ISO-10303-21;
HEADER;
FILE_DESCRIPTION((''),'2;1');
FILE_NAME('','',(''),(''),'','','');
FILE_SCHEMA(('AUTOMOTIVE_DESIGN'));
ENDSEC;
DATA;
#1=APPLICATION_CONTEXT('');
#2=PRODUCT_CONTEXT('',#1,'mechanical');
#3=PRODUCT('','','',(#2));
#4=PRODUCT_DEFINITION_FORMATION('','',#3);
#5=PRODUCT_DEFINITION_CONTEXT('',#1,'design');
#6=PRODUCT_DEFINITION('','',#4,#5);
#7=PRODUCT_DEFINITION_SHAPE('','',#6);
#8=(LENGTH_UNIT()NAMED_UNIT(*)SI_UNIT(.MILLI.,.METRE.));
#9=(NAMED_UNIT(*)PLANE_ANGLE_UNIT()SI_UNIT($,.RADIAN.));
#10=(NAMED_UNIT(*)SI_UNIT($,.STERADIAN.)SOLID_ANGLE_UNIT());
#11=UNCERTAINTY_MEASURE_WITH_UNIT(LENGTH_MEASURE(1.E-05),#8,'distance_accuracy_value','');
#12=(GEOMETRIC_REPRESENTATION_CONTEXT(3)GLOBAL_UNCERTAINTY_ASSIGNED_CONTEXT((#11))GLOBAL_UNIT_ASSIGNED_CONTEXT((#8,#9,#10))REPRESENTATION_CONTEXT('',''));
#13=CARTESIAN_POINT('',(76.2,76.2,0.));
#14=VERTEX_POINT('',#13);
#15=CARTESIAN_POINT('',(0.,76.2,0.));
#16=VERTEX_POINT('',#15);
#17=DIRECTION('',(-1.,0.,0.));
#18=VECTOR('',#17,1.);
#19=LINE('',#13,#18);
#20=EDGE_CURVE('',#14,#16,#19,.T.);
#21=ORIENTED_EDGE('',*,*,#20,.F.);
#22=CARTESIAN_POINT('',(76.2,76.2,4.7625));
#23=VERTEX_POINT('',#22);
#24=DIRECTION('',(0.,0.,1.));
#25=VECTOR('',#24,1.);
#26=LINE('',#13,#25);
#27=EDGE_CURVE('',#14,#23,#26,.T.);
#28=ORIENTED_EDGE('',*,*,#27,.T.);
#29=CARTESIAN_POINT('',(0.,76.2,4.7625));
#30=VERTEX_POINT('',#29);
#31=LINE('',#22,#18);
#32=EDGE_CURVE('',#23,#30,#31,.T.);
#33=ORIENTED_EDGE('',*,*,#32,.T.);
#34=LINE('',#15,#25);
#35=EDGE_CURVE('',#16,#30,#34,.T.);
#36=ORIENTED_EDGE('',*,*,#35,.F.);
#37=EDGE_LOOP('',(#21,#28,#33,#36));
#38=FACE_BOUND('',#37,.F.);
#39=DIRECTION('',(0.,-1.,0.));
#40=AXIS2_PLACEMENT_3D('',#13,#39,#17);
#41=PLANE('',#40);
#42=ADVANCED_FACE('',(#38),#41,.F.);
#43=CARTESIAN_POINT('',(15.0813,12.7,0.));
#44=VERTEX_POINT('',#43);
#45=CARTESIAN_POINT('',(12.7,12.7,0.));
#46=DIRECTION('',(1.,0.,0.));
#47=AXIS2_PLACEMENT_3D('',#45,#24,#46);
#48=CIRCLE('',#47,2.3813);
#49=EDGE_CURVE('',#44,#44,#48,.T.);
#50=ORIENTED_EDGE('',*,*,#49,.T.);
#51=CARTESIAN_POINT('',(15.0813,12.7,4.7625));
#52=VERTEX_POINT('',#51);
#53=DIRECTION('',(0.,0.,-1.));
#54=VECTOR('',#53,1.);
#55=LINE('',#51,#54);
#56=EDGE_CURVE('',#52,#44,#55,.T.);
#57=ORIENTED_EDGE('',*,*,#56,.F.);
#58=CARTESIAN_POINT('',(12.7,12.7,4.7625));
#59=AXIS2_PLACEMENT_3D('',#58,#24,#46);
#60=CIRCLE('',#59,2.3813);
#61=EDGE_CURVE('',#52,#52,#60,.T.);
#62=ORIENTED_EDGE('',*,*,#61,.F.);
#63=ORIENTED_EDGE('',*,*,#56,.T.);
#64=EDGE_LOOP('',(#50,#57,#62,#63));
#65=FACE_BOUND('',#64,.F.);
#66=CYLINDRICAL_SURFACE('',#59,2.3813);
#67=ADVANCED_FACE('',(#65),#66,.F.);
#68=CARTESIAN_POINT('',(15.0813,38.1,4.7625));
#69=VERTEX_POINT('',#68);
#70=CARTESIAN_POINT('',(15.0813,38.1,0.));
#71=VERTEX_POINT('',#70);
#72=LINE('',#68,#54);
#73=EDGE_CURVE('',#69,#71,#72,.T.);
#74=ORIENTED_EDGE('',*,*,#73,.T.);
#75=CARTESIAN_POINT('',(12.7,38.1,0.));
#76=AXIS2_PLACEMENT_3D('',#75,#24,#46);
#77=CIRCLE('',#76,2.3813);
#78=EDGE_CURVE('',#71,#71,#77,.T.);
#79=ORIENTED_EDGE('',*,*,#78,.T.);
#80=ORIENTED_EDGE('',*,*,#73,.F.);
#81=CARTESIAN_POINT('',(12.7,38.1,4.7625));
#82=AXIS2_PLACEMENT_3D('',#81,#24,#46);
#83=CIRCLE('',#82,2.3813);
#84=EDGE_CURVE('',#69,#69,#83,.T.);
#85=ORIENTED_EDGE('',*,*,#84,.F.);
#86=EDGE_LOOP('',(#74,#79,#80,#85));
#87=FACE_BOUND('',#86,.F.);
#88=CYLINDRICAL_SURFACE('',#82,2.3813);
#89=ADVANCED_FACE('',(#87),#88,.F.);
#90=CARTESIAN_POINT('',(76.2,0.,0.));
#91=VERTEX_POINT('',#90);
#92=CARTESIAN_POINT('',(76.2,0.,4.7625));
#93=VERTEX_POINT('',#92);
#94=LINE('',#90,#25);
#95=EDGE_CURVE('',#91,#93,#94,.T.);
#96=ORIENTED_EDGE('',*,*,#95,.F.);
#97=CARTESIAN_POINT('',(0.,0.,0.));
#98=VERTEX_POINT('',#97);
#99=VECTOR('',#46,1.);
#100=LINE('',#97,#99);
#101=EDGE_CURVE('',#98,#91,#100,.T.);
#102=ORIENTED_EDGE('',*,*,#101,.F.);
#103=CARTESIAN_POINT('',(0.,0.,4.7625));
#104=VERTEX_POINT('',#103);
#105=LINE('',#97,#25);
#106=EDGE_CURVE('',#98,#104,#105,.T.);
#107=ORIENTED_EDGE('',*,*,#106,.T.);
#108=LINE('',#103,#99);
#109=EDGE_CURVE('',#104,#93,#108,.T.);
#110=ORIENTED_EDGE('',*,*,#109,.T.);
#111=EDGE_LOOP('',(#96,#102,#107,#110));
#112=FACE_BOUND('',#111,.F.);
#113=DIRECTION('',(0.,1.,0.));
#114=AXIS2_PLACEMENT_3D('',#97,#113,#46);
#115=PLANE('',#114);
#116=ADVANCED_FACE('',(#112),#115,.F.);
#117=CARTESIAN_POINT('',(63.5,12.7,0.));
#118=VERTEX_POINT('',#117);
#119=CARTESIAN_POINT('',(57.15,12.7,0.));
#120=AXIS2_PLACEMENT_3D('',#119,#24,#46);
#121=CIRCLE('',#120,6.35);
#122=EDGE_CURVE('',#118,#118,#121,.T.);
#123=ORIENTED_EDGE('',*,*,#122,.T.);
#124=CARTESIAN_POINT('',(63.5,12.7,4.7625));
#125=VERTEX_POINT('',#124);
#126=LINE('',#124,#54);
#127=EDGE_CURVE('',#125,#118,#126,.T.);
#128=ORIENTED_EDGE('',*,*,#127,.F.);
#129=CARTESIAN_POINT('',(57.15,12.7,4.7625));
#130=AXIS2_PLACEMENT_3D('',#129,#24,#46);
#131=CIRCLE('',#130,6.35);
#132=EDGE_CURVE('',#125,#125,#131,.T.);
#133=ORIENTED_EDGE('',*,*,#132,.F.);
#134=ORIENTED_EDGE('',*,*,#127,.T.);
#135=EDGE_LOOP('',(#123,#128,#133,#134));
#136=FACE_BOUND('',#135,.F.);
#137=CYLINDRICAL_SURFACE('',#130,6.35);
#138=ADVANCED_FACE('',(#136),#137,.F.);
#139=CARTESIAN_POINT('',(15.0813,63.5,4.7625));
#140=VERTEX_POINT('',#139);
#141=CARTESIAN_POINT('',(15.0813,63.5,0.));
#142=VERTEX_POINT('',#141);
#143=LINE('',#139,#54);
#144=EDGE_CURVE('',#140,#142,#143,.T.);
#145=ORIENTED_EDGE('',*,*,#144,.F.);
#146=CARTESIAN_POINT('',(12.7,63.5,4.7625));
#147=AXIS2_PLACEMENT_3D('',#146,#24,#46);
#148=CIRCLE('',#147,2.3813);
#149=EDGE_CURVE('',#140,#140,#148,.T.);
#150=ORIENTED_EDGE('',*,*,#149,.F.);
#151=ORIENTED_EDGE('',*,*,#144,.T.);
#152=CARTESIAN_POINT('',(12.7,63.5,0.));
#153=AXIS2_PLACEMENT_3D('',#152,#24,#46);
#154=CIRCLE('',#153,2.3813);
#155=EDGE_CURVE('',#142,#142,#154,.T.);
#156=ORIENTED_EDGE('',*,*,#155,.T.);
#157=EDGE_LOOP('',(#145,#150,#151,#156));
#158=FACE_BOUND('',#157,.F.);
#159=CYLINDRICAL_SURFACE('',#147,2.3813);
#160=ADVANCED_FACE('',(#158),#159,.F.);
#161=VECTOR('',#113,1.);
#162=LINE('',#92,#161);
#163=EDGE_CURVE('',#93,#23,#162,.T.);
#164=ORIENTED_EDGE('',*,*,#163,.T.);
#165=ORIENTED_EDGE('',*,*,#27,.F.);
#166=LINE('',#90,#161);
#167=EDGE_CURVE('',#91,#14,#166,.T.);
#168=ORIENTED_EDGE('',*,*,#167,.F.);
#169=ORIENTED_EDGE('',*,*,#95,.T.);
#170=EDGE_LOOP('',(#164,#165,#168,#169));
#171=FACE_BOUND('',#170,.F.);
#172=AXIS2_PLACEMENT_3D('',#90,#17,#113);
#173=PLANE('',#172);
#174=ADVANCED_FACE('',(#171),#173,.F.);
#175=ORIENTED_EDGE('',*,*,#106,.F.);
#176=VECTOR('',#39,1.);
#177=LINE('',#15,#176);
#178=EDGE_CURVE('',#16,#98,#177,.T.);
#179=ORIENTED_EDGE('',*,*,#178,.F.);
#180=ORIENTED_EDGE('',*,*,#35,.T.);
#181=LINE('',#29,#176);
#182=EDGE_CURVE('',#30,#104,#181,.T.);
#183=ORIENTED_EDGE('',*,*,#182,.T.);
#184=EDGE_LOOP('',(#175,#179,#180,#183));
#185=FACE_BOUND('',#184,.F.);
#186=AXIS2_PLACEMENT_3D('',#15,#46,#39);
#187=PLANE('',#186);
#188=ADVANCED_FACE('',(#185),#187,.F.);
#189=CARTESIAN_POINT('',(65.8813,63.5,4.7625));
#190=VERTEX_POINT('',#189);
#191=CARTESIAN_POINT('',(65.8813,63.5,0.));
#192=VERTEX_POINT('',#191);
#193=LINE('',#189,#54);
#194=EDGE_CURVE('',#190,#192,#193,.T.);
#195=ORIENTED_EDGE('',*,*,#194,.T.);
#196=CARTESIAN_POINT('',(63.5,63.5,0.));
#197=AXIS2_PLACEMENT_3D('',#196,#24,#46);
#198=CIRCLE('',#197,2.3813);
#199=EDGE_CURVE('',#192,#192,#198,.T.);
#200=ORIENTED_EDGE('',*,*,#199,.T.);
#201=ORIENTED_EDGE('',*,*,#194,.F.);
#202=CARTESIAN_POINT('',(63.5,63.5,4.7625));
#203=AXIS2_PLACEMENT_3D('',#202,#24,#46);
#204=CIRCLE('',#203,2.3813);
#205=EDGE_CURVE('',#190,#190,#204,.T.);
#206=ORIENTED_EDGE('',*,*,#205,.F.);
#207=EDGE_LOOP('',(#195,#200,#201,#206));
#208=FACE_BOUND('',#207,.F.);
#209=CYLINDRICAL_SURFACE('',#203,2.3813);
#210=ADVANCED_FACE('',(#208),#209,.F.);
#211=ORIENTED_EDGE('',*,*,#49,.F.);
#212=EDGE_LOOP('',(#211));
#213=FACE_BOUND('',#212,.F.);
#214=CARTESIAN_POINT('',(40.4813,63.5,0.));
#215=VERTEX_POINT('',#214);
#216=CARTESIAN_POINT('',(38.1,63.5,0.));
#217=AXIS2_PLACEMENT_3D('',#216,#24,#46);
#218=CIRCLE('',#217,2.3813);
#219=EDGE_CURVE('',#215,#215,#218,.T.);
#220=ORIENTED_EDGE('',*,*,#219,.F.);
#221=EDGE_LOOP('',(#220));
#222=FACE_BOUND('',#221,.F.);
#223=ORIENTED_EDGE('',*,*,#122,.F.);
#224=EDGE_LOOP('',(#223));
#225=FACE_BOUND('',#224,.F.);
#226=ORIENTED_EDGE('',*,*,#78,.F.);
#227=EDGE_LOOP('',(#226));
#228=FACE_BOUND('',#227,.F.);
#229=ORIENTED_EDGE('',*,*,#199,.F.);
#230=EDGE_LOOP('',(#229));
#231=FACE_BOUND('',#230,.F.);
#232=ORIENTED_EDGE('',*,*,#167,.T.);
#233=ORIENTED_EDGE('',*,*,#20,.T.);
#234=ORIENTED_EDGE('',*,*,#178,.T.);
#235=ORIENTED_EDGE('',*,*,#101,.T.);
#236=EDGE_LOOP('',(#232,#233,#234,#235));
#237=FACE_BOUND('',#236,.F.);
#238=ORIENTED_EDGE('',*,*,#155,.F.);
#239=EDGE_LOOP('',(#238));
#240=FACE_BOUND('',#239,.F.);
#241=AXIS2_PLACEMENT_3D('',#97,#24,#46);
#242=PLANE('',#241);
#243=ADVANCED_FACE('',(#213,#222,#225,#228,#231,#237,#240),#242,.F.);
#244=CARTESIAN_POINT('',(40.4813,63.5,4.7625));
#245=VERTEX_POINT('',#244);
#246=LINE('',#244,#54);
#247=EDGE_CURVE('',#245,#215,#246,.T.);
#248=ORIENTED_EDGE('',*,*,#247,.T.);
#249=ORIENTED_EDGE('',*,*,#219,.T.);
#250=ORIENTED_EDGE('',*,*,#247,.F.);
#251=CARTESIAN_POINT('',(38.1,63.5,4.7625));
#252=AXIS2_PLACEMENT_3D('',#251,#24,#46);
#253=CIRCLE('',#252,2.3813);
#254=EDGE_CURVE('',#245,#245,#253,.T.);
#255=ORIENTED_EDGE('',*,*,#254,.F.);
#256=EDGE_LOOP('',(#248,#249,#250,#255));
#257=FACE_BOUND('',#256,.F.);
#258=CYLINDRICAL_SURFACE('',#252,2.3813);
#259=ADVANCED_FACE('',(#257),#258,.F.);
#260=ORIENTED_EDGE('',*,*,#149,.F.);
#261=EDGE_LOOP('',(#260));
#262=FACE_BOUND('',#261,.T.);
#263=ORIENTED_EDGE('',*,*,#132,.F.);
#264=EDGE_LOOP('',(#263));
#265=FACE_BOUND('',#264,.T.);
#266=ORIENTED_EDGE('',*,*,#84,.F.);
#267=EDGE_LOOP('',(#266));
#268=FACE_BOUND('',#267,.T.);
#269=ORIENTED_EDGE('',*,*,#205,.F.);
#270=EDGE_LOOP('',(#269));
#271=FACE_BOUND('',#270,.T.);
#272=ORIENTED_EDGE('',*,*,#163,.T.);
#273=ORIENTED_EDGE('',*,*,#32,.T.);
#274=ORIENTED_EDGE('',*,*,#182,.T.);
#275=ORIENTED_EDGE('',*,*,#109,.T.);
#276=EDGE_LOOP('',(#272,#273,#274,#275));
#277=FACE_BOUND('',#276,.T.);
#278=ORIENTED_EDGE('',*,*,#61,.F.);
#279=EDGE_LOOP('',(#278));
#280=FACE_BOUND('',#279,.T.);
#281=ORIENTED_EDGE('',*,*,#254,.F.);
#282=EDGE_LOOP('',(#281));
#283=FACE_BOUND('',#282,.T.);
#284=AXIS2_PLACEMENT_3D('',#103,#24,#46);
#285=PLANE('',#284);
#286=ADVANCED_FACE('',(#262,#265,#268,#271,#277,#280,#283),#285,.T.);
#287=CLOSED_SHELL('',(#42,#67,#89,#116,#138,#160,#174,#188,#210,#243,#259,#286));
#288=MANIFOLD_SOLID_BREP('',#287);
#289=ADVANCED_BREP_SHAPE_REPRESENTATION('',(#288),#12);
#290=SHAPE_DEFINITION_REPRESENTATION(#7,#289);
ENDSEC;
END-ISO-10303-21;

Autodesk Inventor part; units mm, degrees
ref_plane "YZ Plane" through (0, 0, 0) normal (1, 0, 0) x (0, 1, 0)
ref_plane "XZ Plane" through (0, 0, 0) normal (0, 1, 0) x (-1, 0, 0)
ref_plane "XY Plane" through (0, 0, 0) normal (0, 0, 1) x (1, 0, 0)
sketch "Sketch1" plane through (0, 0, 0) normal (0, 0, 1) x (1, 0, 0)
  line L0 (0, 0) -> (76.2, 0)
  line L1 (76.2, 0) -> (76.2, 76.2)
  line L2 (76.2, 76.2) -> (0, 76.2)
  line L3 (0, 76.2) -> (0, 0)
  dimension "d0" = 76.2
  dimension "d1" = 76.2
extrude "Extrusion1" add sketch "Sketch1" along normal blind 4.7625
sketch "Sketch2" plane through (0, 0, 4.7625) normal (0, 0, 1) x (1, 0, 0)
  line L0 (0, 0) -> (0, 76.2) projected
  line L1 (76.2, 0) -> (0, 0) projected
  circle A0 centre (57.15, 12.7) radius 6.35
  dimension "d4" = 12.7
  dimension "d5" = 12.7
  dimension "d6" = 57.15
extrude "Extrusion2" cut sketch "Sketch2" against normal up to next
sketch "Sketch3" plane through (0, 0, 4.7625) normal (0, 0, 1) x (1, 0, 0)
  line L0 (0, 0) -> (0, 76.2) projected
  line L1 (0, 76.2) -> (76.2, 76.2) projected
  circle A0 centre (12.7, 63.5) radius 2.3813
  dimension "d9" = 4.7625
  dimension "d10" = 12.7
  dimension "d11" = 12.7
extrude "Extrusion3" cut sketch "Sketch3" against normal up to next
pattern_linear "Rectangular Pattern1" count 3 spacing 25.4 along (1, 0, 0) of "Extrusion3"
pattern_linear "Rectangular Pattern2" count 3 spacing 25.4 along (0, -1, 0) of "Extrusion3"
properties part number "Frame_TopRearRollerPlate"
